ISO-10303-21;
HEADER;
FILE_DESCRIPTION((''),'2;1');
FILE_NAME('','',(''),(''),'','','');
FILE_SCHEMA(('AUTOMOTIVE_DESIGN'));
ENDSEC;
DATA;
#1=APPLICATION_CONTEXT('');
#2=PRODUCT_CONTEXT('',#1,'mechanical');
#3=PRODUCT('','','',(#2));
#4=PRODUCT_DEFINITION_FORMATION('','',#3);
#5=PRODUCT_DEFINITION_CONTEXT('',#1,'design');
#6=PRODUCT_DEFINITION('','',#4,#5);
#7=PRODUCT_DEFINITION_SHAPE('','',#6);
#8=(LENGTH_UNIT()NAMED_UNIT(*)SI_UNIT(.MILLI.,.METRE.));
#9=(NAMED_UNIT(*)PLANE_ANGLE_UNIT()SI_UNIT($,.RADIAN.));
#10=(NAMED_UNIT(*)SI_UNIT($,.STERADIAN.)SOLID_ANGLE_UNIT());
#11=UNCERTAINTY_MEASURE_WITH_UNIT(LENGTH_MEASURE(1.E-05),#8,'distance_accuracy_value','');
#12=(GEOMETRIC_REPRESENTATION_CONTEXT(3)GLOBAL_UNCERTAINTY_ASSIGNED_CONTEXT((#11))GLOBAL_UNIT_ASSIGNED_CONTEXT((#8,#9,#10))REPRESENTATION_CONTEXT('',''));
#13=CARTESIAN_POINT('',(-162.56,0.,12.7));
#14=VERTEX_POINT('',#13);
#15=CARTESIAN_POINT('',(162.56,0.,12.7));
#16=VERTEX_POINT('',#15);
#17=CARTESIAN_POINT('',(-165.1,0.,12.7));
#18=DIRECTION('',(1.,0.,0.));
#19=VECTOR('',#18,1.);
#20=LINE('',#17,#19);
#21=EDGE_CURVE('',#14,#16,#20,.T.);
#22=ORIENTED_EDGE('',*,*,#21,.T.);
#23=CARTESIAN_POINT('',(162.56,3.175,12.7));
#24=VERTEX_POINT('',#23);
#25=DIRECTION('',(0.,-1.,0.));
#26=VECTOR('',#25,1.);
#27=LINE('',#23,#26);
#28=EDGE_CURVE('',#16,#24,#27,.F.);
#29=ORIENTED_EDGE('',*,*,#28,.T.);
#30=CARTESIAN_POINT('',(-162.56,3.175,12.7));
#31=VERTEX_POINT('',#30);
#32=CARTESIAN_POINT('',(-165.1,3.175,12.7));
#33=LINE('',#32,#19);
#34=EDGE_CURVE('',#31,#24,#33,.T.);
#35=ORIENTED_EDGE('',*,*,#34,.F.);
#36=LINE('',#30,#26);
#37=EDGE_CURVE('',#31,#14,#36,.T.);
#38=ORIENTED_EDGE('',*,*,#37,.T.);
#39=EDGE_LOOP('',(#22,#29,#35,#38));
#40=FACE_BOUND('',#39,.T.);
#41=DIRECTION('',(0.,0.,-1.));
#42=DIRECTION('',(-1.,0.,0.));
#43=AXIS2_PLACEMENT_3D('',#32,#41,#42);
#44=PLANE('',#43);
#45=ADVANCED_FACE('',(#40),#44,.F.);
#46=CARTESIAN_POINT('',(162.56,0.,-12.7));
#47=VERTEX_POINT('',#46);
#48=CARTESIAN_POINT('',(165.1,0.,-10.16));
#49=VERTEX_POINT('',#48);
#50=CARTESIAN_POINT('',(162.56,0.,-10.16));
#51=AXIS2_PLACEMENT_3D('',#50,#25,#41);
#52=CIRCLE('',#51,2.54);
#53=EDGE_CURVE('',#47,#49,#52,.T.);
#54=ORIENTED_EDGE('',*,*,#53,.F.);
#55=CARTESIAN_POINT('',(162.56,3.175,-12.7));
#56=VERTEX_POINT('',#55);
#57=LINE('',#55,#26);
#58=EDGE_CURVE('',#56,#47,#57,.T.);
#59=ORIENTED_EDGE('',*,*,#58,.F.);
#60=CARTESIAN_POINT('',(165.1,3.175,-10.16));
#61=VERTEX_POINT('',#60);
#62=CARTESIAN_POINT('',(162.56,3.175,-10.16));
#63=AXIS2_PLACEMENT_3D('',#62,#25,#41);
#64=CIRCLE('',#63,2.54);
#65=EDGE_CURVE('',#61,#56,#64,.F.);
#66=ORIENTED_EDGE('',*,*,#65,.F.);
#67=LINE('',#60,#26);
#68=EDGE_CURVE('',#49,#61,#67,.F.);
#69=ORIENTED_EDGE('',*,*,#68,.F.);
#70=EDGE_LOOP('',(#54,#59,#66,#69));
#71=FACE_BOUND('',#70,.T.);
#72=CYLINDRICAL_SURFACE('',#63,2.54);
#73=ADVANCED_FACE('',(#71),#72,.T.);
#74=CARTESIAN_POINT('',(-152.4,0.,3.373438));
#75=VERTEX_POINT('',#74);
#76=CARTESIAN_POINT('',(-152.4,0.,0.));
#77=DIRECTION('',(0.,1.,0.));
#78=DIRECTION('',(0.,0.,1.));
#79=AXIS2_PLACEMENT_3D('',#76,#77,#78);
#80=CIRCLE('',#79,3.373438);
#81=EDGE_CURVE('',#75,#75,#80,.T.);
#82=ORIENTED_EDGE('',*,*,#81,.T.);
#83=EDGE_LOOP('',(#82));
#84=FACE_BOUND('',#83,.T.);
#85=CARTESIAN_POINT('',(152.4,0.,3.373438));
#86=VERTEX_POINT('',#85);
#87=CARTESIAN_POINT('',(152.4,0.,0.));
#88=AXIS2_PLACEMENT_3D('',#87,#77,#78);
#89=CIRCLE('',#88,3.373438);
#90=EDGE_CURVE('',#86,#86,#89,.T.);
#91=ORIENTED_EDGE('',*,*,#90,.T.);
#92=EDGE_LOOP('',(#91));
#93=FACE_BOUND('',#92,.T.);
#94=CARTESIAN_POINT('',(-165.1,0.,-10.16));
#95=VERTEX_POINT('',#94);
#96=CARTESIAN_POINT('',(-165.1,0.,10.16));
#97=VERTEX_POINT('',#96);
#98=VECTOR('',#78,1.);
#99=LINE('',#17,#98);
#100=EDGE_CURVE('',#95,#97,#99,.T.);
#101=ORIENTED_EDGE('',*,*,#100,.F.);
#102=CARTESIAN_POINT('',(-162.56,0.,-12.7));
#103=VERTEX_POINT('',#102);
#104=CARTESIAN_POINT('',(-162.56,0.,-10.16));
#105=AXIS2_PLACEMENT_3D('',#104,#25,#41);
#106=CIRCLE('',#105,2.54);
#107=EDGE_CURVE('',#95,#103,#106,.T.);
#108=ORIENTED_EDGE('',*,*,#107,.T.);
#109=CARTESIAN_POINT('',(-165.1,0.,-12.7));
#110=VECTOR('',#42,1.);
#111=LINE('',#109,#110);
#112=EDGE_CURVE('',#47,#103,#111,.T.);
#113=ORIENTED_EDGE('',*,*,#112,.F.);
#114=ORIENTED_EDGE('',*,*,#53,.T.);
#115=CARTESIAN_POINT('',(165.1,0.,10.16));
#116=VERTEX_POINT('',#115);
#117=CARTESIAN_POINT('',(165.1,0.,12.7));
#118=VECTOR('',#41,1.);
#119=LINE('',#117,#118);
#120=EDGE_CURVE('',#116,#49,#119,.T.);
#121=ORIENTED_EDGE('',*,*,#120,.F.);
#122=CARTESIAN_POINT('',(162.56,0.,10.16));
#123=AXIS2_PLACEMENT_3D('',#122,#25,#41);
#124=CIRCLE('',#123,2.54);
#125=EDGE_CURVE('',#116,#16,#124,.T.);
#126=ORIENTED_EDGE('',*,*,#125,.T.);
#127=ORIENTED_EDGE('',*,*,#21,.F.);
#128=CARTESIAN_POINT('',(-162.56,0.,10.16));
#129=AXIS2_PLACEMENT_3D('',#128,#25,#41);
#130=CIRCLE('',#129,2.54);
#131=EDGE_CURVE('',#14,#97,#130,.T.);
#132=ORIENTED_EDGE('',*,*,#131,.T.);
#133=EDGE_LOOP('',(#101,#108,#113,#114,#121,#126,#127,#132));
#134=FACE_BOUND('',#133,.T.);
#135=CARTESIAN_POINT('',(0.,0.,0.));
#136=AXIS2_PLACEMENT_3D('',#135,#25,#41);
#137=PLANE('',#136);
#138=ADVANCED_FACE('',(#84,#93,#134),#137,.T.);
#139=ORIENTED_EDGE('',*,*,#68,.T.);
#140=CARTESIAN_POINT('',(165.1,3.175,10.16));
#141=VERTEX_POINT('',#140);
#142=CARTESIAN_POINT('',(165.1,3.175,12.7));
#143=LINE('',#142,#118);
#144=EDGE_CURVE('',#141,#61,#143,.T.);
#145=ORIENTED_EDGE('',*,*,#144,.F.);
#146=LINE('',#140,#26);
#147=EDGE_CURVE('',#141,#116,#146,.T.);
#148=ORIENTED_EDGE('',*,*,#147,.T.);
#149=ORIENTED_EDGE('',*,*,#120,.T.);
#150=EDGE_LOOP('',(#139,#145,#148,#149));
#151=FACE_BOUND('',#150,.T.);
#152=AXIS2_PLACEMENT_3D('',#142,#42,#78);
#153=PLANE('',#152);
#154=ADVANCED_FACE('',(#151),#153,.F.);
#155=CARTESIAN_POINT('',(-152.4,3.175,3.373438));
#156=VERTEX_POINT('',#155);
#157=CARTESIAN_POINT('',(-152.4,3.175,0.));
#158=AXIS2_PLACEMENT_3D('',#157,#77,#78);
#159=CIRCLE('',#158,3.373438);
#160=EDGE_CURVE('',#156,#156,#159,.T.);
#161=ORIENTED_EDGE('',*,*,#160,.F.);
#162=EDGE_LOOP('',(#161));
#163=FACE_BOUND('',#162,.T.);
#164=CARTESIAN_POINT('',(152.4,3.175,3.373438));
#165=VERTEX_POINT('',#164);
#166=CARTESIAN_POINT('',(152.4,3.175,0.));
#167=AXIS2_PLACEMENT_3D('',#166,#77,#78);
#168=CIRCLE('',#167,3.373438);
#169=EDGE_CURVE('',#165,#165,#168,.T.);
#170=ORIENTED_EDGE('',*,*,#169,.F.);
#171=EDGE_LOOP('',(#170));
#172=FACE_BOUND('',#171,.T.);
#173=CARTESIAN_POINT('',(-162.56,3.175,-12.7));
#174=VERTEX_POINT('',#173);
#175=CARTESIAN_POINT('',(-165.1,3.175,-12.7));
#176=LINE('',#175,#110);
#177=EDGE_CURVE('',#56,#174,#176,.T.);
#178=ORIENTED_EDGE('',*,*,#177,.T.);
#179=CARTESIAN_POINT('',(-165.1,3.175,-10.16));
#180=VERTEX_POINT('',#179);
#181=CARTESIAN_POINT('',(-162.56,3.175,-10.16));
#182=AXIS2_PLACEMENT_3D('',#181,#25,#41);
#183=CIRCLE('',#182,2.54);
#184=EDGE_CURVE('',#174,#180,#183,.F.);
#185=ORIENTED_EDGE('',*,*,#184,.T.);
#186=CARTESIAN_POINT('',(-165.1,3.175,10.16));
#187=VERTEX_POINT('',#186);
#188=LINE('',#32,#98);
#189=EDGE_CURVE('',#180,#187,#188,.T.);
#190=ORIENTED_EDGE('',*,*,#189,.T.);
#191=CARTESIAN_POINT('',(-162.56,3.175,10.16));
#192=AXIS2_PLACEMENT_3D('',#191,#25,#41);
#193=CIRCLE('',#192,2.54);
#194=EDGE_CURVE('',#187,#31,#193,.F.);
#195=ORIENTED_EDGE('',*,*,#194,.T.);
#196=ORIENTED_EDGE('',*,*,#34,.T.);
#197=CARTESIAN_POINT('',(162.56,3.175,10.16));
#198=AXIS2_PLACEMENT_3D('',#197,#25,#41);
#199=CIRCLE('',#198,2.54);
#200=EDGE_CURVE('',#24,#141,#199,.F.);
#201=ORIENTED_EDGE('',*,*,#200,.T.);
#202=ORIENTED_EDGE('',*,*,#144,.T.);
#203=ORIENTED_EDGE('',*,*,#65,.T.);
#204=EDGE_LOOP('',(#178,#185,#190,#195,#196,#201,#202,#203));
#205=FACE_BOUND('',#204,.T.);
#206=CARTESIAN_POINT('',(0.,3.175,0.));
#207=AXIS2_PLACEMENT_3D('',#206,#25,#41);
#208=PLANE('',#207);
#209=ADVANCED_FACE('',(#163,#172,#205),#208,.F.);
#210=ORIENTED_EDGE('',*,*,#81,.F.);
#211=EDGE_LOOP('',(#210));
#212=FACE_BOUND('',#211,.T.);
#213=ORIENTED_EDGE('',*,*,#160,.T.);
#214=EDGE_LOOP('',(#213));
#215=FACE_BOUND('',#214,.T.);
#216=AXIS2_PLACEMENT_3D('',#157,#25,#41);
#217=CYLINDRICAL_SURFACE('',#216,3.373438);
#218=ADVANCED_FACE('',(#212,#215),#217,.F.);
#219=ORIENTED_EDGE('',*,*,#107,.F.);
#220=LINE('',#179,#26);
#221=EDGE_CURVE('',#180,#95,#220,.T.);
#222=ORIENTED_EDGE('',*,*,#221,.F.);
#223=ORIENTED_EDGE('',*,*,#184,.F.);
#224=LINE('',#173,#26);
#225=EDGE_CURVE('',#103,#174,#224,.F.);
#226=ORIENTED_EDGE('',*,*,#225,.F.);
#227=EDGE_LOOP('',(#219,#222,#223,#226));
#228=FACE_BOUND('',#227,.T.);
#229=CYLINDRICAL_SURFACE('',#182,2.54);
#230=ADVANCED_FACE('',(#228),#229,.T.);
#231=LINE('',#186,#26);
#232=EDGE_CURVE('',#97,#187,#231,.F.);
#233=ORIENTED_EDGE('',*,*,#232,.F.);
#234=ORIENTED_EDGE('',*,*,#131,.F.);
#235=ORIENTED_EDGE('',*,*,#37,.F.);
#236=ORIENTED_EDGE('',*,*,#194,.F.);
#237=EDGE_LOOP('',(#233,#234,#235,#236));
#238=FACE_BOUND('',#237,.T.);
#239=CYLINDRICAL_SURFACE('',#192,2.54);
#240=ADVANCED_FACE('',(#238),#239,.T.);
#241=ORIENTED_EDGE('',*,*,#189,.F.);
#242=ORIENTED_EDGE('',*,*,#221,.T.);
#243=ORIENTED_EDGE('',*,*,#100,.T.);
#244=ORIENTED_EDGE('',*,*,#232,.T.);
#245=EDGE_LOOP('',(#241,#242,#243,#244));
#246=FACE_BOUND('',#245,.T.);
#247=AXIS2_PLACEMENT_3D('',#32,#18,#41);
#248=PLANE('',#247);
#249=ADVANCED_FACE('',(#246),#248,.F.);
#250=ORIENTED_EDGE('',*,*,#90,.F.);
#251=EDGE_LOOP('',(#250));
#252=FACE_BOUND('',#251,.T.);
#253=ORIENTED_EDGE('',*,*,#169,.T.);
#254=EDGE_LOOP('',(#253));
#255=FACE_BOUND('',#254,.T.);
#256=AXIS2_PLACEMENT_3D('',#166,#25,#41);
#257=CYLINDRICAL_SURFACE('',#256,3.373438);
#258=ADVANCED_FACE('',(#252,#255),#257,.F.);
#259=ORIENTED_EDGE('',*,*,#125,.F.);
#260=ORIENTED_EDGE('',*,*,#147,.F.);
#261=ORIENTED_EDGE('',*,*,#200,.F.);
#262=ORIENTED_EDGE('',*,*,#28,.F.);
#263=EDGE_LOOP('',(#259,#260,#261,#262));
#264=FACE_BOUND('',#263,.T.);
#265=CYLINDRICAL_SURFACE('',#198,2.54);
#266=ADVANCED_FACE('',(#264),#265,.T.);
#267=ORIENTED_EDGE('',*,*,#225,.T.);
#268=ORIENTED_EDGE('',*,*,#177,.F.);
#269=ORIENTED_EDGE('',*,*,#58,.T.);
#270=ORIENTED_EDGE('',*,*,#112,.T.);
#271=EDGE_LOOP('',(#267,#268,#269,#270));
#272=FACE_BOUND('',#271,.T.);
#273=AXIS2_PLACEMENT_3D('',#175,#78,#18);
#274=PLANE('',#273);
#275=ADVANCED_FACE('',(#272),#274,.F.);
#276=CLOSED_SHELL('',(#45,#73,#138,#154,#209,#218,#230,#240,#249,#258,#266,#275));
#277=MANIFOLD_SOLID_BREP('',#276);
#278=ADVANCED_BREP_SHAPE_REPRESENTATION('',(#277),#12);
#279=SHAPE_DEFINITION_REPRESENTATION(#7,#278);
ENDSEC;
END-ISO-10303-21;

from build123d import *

# Parameters (mm, degrees)
SKETCH2_W           = 330.2
SKETCH2_H           = 25.4
SKETCH2_R           = 3.3734375
BOSS_EXTRUDE1_DEPTH = 3.175
FILLET1_R           = 2.54


with BuildPart() as part:
    # Sketch2 → Boss-Extrude1 (new body)
    with BuildSketch(Plane(origin=(0, 0, 0), x_dir=(1, 0, 0), z_dir=(0, 1, 0))):
        Rectangle(SKETCH2_W, SKETCH2_H)
        with Locations(Location((-152.4, 0, 0), (0, 0, 270))):
            Circle(SKETCH2_R, mode=Mode.SUBTRACT)
        with Locations(Location((152.4, 0, 0), (0, 0, 270))):
            Circle(SKETCH2_R, mode=Mode.SUBTRACT)
    extrude(amount=BOSS_EXTRUDE1_DEPTH)

    # Fillet1
    fillet1_edges = [part.edges().sort_by_distance(p)[0] for p in [
        (165.1, 1.5875, 12.7),
        (-165.1, 1.5875, 12.7),
        (-165.1, 1.5875, -12.7),
        (165.1, 1.5875, -12.7),
    ]]
    fillet(fillet1_edges, radius=FILLET1_R)


solid = part.part
